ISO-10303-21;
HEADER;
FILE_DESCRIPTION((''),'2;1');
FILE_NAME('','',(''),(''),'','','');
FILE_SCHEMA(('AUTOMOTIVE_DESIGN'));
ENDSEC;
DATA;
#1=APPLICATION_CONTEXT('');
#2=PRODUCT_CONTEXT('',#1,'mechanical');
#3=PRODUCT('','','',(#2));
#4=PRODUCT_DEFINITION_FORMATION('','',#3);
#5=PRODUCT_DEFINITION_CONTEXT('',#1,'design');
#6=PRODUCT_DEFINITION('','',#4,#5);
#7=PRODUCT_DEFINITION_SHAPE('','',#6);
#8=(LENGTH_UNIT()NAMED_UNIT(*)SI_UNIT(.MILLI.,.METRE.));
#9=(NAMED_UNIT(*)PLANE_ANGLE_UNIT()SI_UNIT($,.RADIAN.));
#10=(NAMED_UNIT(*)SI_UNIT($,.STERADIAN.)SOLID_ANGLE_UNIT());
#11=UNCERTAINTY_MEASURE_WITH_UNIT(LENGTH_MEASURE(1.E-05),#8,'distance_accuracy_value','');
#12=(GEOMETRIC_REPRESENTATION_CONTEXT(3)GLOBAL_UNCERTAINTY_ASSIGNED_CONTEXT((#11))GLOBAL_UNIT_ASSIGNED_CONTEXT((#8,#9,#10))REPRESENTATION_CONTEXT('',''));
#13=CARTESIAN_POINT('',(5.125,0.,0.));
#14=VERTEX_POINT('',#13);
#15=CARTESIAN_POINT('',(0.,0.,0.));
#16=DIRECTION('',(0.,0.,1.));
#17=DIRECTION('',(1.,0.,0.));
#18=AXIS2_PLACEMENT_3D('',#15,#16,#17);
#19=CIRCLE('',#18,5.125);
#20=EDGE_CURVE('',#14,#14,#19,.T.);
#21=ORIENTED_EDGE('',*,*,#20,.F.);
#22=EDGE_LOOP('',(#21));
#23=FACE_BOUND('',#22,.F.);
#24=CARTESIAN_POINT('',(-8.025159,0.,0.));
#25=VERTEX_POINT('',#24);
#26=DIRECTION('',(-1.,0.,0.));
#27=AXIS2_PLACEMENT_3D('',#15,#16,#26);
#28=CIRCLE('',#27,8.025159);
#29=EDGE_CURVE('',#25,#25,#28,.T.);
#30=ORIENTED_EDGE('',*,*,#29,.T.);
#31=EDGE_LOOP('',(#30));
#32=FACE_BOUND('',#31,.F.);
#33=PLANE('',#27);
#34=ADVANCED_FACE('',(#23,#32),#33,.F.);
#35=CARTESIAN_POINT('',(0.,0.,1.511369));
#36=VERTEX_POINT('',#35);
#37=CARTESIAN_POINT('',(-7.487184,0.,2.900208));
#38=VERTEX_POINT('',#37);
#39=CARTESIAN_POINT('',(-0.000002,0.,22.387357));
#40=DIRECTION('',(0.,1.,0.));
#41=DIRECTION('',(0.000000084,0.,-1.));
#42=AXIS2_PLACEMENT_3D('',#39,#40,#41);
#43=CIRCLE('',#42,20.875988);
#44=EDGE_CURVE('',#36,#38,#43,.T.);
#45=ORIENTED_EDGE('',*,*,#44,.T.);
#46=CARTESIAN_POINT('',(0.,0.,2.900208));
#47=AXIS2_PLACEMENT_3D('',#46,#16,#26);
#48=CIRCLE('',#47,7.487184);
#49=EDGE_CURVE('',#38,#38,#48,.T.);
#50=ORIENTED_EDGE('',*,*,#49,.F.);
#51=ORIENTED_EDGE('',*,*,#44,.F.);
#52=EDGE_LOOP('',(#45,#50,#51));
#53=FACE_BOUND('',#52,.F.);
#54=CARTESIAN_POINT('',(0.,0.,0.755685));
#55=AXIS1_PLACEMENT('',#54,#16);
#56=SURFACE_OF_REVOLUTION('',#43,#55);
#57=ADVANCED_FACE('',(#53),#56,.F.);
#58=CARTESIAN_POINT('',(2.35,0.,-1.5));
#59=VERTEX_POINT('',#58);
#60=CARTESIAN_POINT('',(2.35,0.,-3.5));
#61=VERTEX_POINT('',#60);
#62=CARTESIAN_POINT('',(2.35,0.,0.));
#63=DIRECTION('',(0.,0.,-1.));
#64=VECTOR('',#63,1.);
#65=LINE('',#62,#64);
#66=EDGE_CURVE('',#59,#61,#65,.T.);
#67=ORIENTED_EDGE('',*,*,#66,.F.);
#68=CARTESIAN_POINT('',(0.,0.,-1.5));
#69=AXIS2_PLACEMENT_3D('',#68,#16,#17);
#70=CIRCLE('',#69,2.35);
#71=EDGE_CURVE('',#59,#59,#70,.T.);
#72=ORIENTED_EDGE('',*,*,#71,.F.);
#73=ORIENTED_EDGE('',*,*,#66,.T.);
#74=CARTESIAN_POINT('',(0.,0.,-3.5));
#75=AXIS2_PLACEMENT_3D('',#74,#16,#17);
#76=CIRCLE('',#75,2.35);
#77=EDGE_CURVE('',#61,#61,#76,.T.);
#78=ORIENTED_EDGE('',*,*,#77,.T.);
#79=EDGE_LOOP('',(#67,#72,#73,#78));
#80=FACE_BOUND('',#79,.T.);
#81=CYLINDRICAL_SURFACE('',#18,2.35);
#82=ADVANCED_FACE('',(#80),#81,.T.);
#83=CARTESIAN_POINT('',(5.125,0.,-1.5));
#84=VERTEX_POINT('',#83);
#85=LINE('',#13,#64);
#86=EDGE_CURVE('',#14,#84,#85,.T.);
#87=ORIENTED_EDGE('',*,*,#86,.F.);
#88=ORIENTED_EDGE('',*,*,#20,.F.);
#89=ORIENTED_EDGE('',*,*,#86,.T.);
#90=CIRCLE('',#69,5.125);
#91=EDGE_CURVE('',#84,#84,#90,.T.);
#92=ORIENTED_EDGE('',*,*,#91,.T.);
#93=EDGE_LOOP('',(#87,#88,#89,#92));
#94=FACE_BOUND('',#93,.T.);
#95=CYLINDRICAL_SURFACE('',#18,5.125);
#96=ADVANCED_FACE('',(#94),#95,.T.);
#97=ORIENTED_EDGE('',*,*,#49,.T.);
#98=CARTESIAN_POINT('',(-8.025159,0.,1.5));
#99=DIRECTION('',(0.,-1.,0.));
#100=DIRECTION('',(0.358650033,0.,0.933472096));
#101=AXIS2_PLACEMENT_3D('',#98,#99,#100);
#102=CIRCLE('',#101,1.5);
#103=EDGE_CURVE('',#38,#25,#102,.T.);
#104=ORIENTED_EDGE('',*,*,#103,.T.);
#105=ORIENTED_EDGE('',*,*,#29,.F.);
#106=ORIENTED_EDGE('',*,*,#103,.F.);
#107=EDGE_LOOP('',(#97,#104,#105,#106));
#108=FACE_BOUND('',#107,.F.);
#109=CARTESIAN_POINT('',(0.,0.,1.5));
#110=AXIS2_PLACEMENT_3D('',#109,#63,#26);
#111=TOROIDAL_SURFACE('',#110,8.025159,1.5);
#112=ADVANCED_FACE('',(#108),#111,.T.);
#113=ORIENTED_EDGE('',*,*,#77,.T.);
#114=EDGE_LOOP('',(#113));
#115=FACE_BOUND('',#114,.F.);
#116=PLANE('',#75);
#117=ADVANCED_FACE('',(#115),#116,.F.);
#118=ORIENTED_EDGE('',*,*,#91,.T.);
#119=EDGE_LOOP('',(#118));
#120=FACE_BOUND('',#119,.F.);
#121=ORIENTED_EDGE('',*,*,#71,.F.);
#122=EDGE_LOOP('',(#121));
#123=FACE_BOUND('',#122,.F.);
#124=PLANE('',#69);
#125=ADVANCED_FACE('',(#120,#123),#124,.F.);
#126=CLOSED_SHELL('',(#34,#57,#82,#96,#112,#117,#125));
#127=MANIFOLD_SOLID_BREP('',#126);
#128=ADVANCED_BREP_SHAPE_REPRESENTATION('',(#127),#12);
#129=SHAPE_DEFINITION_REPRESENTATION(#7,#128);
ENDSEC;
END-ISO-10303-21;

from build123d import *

# Parameters (mm, degrees)
F2_R     = 5.125
F3_DEPTH = 1.5
F4_R     = 2.35
F5_DEPTH = 3.5


with BuildPart() as f1:
    # F0 (on Front) → F1 (revolve)
    with BuildSketch(Plane.XZ):
        with BuildLine():
            ThreePointArc((0, 1.511369), (-3.807453, 1.861515), (-7.487184, 2.900208))
            ThreePointArc((-7.487184, 2.900208), (-9.5, 1.773576), (-8.025159, 0))
            Line((-8.025159, 0), (0, 0))
            Line((0, 0), (0, 1.511369))
        make_face()
    revolve(axis=Axis((0, 0, 0.755685), (0, 0, 1)))

    # F2 (on Top) → F3 (join)
    with BuildSketch(Plane.XY):
        Circle(F2_R)
    extrude(amount=-F3_DEPTH)

    # F4 (on Top) → F5 (join)
    with BuildSketch(Plane.XY):
        Circle(F4_R)
    extrude(amount=-F5_DEPTH)


solid = f1.part
